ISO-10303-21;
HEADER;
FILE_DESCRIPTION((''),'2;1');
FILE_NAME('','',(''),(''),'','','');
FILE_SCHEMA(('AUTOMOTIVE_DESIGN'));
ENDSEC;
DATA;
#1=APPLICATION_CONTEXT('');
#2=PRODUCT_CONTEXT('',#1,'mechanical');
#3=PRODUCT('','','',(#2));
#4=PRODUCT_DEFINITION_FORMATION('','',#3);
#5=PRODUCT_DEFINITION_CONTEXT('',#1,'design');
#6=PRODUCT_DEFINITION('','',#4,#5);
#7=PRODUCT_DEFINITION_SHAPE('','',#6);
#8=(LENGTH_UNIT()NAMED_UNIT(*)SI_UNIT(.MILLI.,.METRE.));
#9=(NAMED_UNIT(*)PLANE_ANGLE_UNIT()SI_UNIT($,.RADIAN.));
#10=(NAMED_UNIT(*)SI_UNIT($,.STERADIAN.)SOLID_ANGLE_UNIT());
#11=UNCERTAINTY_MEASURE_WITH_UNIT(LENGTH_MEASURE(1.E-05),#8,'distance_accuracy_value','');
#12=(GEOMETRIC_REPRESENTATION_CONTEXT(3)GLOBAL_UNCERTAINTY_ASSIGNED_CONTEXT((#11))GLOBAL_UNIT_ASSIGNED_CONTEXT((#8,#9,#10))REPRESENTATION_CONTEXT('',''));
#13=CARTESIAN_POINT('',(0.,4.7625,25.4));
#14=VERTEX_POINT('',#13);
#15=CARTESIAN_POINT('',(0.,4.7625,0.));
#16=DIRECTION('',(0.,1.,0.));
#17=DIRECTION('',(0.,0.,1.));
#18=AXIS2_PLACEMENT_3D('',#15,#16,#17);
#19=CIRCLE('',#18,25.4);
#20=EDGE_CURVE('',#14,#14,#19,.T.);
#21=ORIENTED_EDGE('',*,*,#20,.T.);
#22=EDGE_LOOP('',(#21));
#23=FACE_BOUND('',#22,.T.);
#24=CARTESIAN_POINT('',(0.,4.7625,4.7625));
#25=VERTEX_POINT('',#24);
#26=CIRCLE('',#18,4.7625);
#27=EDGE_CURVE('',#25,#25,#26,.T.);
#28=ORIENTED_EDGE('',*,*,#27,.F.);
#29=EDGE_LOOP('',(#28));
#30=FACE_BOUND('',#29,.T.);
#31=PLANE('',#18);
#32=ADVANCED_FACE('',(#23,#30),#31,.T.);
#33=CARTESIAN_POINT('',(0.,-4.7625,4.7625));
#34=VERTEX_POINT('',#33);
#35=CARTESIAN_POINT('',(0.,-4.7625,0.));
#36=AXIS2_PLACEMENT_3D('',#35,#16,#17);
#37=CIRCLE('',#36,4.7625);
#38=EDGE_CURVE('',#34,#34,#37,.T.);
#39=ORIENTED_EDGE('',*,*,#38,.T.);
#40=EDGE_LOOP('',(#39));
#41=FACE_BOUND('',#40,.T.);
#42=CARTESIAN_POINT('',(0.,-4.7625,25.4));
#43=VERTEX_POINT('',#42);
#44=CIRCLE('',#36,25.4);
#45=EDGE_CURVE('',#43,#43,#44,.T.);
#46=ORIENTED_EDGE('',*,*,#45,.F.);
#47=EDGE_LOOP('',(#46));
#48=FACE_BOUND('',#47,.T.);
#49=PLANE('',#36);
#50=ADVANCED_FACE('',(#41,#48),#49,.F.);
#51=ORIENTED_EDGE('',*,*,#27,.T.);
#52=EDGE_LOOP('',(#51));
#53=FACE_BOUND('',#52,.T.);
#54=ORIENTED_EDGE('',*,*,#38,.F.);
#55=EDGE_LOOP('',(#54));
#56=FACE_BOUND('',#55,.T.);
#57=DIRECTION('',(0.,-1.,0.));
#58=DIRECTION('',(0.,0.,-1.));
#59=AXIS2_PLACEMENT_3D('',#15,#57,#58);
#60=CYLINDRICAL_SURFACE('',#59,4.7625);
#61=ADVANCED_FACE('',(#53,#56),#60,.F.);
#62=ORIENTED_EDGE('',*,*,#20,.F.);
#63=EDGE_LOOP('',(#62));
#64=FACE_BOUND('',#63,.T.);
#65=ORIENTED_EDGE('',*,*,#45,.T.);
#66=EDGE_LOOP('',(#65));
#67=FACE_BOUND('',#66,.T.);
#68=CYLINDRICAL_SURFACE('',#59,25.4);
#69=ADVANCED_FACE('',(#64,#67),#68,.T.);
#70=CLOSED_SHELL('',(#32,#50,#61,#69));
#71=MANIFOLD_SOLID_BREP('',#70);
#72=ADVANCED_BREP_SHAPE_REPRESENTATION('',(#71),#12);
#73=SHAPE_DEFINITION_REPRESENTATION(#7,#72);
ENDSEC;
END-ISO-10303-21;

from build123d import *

# Parameters (mm, degrees)
SKETCH1_R           = 25.4
SKETCH1_R_2         = 4.7625
BOSS_EXTRUDE1_DEPTH = 4.7625


with BuildPart() as part:
    # Sketch1 → Boss-Extrude1 (new body, symmetric)
    with BuildSketch(Plane(origin=(0, 0, 0), x_dir=(1, 0, 0), z_dir=(0, 1, 0))):
        Circle(SKETCH1_R)
        Circle(SKETCH1_R_2, mode=Mode.SUBTRACT)
    extrude(amount=BOSS_EXTRUDE1_DEPTH, both=True)


solid = part.part
